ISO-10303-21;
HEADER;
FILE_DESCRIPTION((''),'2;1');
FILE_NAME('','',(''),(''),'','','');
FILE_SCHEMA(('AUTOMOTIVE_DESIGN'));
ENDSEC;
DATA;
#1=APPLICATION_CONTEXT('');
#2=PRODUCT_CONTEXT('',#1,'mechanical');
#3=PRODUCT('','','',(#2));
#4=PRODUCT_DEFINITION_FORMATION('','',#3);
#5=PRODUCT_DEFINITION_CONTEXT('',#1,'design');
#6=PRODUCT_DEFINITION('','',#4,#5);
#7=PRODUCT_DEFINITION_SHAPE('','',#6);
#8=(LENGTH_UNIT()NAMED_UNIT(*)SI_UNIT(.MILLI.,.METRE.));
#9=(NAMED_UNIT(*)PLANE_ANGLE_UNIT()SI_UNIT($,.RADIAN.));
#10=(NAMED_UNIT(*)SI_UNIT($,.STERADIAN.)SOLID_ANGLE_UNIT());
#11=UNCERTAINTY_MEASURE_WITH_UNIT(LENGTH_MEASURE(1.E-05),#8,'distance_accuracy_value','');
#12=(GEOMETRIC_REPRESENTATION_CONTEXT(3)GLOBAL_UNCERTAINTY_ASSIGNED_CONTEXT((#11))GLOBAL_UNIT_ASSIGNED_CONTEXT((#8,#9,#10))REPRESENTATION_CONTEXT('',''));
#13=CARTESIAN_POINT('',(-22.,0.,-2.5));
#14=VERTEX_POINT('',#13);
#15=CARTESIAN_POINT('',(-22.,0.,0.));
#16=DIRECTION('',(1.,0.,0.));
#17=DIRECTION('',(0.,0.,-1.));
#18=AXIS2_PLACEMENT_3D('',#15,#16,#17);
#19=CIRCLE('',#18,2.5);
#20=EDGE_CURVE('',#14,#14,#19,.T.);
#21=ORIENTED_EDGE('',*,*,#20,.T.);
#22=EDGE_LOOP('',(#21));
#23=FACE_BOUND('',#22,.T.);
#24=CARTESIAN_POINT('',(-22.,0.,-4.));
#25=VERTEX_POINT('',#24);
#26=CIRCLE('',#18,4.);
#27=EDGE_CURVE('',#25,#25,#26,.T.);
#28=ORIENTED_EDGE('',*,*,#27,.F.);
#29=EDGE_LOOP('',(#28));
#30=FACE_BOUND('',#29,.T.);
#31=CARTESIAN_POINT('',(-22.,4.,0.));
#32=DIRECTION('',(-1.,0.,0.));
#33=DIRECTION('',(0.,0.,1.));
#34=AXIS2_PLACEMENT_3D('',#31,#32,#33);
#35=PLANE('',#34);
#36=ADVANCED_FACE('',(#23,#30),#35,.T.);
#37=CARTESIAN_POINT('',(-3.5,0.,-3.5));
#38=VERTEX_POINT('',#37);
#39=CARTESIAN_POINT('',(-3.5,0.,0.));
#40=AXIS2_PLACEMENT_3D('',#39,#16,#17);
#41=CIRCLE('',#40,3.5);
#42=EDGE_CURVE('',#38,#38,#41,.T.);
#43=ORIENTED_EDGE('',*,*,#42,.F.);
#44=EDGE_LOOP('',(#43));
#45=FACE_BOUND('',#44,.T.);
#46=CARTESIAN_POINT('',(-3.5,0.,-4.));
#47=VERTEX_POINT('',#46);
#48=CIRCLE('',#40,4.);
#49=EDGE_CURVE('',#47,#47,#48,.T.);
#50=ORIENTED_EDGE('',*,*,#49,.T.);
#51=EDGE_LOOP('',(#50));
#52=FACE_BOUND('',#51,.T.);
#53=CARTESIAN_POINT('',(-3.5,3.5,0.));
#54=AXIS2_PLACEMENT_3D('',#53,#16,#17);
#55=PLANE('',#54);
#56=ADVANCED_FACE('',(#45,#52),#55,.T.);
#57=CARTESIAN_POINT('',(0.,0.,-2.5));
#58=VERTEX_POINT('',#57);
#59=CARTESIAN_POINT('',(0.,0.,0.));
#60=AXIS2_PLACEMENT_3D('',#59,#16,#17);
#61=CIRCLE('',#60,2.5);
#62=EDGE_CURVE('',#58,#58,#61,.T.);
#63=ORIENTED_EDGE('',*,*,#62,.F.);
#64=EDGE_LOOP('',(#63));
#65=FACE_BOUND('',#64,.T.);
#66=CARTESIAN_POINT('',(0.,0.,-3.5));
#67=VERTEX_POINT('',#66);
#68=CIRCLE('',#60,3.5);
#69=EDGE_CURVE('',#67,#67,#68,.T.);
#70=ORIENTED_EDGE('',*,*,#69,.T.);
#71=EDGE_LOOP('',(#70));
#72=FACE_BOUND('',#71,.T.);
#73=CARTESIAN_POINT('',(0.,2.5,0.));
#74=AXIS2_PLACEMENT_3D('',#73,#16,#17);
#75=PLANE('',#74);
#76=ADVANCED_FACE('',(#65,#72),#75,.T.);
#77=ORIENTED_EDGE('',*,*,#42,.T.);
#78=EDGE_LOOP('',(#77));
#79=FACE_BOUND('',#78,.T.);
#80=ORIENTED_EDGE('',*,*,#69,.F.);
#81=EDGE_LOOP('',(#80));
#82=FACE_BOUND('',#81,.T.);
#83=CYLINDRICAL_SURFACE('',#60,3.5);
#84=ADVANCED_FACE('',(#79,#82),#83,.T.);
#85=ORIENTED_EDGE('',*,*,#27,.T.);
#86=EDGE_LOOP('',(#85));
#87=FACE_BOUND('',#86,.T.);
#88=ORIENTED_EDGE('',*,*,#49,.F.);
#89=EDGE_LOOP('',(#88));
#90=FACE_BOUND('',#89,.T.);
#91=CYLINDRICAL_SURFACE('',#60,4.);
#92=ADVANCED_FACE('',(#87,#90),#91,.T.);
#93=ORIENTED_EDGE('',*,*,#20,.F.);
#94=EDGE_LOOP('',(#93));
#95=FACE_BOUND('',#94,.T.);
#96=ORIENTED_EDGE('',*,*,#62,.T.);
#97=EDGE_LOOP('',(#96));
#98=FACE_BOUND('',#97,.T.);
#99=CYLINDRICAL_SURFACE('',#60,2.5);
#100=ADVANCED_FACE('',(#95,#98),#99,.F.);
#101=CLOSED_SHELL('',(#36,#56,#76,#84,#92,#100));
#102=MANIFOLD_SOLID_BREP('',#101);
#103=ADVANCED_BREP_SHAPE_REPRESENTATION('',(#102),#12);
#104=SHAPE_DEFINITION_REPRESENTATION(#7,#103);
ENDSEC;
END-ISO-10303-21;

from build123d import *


with BuildPart() as part:
    # Sketch2 → Revolve1 (revolve)
    with BuildSketch(Plane.XY, mode=Mode.PRIVATE) as revolve1_sk:
        Polygon((0, 3.5), (-3.5, 3.5), (-3.5, 4), (-22, 4), (-22, 2.5), (0, 2.5), align=None)
    revolve(revolve1_sk.sketch.rotate(Axis((0, 0, 0), (-1, 0, 0)), 90), axis=Axis((0, 0, 0), (-1, 0, 0)))


solid = part.part
